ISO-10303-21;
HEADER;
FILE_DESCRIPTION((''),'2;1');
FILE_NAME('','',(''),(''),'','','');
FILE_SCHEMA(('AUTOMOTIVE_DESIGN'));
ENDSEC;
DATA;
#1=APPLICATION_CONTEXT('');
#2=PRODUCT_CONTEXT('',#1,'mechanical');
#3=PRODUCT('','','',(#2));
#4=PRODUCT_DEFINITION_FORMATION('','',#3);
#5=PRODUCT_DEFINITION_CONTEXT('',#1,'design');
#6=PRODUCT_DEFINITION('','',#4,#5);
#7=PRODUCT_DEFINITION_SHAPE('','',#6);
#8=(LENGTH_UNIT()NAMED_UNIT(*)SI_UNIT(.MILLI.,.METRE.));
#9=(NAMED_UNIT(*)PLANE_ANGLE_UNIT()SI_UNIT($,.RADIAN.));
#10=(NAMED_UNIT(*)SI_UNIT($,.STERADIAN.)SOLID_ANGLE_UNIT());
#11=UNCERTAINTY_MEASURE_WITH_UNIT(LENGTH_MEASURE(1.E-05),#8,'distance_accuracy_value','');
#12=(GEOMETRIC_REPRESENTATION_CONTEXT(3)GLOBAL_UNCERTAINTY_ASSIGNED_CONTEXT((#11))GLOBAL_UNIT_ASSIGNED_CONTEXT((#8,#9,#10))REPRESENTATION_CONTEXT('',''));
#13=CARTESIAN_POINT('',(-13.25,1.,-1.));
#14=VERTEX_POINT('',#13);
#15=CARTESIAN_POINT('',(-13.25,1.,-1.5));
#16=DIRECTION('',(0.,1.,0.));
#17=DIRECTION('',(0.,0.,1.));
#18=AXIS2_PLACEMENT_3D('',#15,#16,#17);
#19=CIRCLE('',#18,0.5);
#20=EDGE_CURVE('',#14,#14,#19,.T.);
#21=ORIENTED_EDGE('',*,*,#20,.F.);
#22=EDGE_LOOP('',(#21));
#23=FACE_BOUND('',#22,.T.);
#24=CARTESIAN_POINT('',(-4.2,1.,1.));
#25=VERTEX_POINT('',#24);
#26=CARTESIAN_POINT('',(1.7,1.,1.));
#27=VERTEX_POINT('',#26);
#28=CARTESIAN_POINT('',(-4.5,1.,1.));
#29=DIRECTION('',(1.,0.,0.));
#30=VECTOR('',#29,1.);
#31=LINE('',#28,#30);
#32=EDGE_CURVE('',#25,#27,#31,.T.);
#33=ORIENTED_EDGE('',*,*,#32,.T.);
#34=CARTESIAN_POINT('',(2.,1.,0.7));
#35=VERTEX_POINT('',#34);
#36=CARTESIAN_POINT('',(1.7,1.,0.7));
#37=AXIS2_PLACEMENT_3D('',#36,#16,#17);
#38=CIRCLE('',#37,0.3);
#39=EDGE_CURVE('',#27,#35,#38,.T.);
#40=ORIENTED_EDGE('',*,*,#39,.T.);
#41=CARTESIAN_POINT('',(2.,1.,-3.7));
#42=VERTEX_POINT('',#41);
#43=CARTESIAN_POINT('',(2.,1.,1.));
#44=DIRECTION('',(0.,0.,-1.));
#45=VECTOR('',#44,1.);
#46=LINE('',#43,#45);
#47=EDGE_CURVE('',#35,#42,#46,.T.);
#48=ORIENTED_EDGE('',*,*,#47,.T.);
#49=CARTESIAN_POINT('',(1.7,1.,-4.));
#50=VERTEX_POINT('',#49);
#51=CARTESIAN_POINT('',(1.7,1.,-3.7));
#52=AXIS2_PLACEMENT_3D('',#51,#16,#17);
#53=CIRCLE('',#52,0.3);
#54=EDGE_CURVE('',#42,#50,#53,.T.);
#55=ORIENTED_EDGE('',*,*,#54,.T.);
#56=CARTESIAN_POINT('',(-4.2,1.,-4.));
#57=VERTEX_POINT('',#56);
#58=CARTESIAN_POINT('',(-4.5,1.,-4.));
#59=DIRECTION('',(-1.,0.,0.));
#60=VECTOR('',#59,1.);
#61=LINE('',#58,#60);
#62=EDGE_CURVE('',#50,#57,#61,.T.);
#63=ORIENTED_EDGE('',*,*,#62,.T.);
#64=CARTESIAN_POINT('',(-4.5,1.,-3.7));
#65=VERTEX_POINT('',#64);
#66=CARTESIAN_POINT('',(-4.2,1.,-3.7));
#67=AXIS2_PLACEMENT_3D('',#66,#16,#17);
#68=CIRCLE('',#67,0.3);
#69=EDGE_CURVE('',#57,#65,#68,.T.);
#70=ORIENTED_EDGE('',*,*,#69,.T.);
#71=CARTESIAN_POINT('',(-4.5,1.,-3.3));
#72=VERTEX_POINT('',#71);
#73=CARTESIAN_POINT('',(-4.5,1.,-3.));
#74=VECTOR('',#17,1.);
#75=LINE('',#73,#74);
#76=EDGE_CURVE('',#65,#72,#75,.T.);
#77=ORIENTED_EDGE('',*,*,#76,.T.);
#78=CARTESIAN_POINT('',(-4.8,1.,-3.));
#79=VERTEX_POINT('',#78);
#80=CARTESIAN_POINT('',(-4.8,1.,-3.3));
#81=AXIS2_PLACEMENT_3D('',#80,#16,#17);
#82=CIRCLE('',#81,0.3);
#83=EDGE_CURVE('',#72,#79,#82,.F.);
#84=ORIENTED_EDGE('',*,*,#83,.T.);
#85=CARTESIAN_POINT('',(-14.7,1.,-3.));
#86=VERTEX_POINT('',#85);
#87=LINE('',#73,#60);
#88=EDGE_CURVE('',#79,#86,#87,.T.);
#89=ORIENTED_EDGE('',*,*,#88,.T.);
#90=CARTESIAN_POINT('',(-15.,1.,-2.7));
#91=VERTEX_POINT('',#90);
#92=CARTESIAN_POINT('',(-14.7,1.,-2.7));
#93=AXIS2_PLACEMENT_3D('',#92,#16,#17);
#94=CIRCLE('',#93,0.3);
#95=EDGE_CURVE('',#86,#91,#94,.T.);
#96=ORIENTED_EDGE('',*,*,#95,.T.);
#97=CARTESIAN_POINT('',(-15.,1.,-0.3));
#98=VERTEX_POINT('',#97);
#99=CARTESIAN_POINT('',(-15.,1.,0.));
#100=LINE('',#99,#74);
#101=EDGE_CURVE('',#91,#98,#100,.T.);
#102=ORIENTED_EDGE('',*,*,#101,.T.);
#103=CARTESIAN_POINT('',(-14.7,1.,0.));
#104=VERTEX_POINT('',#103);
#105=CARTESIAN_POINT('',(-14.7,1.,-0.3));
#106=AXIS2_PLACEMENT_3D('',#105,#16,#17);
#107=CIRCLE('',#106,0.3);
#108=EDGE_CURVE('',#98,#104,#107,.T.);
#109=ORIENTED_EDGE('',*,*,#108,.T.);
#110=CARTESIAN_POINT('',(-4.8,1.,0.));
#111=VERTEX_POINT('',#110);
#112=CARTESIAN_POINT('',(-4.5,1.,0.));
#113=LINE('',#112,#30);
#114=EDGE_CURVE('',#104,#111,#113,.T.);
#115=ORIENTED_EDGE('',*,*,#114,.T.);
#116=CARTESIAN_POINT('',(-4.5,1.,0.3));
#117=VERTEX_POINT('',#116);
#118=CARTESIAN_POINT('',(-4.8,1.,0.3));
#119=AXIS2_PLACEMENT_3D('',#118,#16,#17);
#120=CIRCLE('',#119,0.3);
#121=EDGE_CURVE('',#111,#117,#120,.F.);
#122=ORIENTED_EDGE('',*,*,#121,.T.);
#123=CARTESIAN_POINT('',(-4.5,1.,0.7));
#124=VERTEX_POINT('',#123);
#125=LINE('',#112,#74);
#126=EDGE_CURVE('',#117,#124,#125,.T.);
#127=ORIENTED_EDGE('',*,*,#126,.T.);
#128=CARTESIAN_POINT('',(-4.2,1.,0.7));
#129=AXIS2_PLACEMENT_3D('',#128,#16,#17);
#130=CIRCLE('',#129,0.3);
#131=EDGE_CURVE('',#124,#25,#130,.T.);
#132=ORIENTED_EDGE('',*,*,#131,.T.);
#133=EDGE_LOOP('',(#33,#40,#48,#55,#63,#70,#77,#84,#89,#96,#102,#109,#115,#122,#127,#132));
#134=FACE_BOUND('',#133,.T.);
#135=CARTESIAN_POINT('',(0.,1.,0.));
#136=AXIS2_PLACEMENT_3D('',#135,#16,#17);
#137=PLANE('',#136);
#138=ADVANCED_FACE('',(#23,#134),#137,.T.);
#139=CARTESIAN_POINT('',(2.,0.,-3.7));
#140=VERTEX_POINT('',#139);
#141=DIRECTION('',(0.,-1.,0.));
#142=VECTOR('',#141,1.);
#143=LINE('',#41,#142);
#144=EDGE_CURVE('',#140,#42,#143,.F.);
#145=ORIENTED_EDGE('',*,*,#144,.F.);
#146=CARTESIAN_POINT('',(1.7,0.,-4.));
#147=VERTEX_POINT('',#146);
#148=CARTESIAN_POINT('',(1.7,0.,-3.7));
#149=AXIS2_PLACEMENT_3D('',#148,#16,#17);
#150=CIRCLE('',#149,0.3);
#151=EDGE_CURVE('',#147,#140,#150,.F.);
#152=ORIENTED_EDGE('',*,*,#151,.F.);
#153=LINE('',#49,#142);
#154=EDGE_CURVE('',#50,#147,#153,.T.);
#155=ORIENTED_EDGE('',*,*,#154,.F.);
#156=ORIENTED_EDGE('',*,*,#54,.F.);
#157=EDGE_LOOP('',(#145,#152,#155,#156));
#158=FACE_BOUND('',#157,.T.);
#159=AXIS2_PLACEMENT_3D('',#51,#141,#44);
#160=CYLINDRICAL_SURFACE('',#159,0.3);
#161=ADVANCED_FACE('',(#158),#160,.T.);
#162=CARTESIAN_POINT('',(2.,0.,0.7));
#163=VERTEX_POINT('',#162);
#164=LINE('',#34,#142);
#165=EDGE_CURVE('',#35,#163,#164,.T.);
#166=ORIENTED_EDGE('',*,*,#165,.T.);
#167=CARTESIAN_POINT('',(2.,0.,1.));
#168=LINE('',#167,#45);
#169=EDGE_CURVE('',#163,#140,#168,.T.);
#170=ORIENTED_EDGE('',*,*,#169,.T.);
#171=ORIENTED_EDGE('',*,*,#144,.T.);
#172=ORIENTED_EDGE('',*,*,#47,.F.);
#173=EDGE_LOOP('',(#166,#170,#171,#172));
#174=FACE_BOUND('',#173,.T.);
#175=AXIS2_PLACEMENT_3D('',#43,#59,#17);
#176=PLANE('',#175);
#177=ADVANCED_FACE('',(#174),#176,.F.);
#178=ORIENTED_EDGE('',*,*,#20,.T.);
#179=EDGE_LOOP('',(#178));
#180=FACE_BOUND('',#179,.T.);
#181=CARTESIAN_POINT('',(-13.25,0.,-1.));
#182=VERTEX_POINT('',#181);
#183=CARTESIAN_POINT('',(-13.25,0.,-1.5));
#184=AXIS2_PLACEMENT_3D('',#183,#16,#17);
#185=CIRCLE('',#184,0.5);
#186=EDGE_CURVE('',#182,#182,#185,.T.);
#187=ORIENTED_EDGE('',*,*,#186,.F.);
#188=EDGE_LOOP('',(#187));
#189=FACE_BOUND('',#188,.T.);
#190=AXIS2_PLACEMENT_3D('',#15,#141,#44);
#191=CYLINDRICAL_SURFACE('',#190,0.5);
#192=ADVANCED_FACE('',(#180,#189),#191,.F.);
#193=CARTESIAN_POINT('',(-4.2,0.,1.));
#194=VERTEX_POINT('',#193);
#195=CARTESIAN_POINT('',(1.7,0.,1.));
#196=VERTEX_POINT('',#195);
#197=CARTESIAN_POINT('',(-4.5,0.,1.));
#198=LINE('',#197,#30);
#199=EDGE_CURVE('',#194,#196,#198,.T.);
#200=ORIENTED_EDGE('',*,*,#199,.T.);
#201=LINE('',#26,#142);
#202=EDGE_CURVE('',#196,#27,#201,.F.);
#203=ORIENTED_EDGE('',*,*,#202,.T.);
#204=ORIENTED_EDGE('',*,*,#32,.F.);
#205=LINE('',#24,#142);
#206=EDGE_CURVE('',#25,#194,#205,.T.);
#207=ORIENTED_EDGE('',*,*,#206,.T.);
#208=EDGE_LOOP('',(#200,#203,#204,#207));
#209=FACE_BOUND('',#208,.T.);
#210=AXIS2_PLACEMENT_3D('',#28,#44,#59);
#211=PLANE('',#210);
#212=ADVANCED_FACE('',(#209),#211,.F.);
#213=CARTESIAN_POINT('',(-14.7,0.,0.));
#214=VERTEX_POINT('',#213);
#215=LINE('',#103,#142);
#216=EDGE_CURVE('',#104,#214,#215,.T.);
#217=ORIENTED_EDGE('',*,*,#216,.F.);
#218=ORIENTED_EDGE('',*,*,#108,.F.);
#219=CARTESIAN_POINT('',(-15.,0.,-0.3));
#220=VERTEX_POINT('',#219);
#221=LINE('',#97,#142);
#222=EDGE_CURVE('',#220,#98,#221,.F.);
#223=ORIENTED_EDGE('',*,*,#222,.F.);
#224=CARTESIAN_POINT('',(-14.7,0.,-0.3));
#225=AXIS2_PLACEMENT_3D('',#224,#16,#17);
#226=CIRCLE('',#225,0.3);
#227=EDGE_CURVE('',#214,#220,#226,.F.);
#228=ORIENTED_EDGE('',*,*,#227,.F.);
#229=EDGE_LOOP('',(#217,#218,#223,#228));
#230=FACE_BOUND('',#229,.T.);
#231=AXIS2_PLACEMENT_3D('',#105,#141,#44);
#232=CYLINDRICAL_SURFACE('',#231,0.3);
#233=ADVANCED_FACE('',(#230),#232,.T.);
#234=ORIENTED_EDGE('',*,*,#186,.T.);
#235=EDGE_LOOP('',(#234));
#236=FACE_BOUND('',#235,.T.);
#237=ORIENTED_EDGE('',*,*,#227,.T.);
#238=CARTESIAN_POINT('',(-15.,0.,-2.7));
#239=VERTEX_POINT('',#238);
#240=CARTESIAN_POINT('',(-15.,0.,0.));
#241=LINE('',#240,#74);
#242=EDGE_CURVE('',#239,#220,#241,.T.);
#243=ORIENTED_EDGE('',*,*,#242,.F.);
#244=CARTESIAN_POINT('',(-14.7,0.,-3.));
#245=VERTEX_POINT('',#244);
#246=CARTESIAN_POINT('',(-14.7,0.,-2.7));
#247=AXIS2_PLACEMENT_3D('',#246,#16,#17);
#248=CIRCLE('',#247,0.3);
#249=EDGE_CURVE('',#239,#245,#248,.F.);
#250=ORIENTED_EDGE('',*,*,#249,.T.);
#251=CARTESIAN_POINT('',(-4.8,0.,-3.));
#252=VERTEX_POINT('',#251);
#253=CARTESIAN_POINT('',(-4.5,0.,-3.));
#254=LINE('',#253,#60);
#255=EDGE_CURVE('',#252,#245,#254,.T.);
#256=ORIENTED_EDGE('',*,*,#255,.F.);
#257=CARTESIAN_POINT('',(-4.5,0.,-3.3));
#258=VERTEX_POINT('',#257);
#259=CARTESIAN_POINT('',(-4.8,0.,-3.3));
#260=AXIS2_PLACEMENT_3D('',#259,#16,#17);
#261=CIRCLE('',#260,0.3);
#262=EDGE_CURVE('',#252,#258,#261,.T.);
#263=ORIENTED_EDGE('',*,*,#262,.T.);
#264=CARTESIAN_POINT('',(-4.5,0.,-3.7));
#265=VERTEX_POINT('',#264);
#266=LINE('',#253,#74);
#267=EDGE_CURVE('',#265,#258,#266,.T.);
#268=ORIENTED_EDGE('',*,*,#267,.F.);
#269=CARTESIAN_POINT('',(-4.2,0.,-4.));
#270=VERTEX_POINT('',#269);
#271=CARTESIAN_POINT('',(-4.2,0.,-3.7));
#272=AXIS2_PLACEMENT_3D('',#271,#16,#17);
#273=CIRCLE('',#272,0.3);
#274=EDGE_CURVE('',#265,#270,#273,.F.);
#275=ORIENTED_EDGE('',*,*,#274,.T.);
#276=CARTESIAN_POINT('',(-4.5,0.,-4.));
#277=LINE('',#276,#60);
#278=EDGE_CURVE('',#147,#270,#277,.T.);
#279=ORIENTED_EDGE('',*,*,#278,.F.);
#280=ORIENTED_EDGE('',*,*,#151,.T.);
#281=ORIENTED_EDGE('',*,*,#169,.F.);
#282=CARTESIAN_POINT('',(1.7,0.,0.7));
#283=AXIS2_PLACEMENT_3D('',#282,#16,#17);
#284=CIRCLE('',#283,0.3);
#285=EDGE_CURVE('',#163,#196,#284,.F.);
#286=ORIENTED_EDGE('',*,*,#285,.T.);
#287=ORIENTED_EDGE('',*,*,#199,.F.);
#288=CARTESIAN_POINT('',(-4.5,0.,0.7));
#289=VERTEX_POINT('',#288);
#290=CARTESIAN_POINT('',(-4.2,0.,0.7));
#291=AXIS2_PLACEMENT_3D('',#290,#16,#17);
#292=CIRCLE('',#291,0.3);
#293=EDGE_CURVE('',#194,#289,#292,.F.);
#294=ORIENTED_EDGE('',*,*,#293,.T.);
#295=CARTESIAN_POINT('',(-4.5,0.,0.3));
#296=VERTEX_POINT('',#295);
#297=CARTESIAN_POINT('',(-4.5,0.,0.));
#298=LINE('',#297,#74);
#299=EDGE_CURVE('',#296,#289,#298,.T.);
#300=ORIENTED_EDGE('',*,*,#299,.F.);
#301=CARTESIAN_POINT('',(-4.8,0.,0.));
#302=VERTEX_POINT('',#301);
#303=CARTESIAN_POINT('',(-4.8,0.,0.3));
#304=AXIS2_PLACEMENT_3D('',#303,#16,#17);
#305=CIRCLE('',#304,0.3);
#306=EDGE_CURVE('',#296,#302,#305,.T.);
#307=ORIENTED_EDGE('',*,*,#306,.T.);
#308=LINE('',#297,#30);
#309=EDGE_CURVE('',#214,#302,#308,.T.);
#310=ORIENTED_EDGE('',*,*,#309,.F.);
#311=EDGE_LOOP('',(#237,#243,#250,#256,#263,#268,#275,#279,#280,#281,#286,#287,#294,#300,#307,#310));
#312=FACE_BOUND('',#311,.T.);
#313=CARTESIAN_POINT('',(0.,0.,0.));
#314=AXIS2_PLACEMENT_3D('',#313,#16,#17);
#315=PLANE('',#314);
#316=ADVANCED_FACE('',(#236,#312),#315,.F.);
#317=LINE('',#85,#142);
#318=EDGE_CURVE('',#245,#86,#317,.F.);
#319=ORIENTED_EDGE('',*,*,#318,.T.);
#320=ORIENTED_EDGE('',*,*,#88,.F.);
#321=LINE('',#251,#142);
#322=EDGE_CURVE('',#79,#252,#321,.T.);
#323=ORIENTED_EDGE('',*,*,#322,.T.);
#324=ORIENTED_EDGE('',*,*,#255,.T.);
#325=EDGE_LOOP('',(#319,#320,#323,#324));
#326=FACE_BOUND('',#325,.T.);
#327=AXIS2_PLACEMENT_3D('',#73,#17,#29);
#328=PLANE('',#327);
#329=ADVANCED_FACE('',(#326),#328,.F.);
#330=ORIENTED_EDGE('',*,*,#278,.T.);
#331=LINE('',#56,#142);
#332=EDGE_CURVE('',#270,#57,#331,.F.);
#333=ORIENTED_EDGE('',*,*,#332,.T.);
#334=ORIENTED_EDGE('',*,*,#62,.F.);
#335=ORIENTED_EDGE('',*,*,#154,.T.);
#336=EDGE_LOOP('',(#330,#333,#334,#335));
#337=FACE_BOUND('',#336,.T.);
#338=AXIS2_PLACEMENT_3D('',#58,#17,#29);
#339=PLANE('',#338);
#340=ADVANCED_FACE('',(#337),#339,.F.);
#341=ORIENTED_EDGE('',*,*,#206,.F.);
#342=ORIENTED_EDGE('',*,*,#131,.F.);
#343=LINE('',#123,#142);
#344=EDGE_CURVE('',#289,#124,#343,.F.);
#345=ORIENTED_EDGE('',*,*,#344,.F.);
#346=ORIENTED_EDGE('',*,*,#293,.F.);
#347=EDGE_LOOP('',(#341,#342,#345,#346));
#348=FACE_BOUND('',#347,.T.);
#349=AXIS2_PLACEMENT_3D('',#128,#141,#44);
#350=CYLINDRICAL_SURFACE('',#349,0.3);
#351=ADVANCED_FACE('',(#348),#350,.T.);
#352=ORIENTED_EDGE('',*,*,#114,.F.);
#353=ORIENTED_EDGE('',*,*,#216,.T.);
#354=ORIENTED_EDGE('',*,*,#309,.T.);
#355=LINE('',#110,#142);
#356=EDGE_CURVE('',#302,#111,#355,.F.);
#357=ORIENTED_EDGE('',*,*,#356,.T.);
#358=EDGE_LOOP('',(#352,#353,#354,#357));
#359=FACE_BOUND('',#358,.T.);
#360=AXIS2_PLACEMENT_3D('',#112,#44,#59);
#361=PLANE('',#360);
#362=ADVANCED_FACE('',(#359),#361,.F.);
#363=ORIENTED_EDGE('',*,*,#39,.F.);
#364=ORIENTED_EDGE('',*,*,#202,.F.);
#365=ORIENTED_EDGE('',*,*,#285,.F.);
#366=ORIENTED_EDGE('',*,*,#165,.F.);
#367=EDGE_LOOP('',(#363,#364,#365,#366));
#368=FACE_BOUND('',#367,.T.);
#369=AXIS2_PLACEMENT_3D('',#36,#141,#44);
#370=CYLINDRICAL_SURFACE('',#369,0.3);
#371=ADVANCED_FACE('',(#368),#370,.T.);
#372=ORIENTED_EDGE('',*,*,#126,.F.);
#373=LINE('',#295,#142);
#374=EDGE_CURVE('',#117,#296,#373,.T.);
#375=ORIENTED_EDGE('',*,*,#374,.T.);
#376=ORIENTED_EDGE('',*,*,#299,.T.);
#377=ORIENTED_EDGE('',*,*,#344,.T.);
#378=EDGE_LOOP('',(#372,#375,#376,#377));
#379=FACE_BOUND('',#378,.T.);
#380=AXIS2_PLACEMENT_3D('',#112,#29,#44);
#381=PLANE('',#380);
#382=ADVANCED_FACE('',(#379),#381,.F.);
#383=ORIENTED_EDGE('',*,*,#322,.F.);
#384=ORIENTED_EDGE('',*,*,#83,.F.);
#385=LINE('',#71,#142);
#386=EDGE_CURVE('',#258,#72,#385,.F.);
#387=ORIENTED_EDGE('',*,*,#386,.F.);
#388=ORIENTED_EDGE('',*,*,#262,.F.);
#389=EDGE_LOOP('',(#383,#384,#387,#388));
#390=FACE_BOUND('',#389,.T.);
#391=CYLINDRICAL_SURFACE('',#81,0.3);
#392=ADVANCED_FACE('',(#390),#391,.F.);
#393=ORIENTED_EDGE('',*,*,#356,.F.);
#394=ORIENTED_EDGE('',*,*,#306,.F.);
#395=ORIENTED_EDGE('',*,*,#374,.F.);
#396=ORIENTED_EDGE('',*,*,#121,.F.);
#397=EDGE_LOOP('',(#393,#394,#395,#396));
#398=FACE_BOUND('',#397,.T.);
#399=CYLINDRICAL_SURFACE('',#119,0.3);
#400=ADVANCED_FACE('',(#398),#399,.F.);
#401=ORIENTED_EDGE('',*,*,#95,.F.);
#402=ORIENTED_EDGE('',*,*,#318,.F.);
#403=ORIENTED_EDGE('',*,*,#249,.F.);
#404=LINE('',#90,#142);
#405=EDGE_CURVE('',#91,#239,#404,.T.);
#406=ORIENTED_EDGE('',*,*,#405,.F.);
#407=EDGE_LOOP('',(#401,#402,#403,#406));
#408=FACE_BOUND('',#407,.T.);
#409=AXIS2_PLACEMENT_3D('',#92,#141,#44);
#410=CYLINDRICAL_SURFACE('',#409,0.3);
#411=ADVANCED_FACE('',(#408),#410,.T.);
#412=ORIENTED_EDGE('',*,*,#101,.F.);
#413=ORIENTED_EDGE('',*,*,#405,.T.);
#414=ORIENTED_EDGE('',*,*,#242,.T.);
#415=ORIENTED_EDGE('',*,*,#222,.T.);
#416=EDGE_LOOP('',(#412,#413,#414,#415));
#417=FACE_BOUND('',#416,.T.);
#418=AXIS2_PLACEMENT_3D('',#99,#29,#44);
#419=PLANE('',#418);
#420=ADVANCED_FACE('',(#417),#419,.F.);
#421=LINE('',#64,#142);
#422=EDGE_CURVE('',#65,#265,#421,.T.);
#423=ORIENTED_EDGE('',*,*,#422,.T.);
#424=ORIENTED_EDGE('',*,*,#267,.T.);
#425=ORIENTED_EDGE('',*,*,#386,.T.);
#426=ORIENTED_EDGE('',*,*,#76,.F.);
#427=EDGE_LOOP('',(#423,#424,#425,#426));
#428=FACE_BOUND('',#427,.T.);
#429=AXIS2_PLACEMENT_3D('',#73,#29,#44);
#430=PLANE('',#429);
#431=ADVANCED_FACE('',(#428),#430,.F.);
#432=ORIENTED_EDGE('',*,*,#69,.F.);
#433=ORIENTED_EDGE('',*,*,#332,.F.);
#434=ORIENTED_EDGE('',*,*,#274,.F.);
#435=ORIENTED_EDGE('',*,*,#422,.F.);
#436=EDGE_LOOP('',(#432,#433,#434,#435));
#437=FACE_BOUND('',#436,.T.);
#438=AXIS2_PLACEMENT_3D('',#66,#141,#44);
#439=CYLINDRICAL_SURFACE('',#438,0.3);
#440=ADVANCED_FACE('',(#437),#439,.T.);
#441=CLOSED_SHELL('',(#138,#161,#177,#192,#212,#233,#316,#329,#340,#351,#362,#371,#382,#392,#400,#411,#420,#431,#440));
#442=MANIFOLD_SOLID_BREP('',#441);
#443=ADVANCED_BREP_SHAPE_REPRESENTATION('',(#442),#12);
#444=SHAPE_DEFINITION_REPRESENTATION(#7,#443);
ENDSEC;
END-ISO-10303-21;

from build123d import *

# Parameters (mm, degrees)
SKETCH1_R           = 0.5
BOSS_EXTRUDE1_DEPTH = 1
FILLET1_R           = 0.3


with BuildPart() as part:
    # Sketch1 → Boss-Extrude1 (new body)
    with BuildSketch(Plane(origin=(0, 0, 0), x_dir=(1, 0, 0), z_dir=(0, 1, 0))):
        Polygon((-4.5, 0), (-15, 0), (-15, 3), (-4.5, 3), (-4.5, 4), (2, 4), (2, -1), (-4.5, -1), align=None)
        with Locations((-13.25, 1.5)):
            Circle(SKETCH1_R, mode=Mode.SUBTRACT)
    extrude(amount=BOSS_EXTRUDE1_DEPTH)

    # Fillet1
    fillet1_edges = [part.edges().sort_by_distance(p)[0] for p in [
        (-15, 0.5, -3),
        (-4.5, 0.5, -3),
        (-4.5, 0.5, -4),
        (2, 0.5, -4),
        (2, 0.5, 1),
        (-4.5, 0.5, 1),
        (-4.5, 0.5, 0),
        (-15, 0.5, 0),
    ]]
    fillet(fillet1_edges, radius=FILLET1_R)


solid = part.part
